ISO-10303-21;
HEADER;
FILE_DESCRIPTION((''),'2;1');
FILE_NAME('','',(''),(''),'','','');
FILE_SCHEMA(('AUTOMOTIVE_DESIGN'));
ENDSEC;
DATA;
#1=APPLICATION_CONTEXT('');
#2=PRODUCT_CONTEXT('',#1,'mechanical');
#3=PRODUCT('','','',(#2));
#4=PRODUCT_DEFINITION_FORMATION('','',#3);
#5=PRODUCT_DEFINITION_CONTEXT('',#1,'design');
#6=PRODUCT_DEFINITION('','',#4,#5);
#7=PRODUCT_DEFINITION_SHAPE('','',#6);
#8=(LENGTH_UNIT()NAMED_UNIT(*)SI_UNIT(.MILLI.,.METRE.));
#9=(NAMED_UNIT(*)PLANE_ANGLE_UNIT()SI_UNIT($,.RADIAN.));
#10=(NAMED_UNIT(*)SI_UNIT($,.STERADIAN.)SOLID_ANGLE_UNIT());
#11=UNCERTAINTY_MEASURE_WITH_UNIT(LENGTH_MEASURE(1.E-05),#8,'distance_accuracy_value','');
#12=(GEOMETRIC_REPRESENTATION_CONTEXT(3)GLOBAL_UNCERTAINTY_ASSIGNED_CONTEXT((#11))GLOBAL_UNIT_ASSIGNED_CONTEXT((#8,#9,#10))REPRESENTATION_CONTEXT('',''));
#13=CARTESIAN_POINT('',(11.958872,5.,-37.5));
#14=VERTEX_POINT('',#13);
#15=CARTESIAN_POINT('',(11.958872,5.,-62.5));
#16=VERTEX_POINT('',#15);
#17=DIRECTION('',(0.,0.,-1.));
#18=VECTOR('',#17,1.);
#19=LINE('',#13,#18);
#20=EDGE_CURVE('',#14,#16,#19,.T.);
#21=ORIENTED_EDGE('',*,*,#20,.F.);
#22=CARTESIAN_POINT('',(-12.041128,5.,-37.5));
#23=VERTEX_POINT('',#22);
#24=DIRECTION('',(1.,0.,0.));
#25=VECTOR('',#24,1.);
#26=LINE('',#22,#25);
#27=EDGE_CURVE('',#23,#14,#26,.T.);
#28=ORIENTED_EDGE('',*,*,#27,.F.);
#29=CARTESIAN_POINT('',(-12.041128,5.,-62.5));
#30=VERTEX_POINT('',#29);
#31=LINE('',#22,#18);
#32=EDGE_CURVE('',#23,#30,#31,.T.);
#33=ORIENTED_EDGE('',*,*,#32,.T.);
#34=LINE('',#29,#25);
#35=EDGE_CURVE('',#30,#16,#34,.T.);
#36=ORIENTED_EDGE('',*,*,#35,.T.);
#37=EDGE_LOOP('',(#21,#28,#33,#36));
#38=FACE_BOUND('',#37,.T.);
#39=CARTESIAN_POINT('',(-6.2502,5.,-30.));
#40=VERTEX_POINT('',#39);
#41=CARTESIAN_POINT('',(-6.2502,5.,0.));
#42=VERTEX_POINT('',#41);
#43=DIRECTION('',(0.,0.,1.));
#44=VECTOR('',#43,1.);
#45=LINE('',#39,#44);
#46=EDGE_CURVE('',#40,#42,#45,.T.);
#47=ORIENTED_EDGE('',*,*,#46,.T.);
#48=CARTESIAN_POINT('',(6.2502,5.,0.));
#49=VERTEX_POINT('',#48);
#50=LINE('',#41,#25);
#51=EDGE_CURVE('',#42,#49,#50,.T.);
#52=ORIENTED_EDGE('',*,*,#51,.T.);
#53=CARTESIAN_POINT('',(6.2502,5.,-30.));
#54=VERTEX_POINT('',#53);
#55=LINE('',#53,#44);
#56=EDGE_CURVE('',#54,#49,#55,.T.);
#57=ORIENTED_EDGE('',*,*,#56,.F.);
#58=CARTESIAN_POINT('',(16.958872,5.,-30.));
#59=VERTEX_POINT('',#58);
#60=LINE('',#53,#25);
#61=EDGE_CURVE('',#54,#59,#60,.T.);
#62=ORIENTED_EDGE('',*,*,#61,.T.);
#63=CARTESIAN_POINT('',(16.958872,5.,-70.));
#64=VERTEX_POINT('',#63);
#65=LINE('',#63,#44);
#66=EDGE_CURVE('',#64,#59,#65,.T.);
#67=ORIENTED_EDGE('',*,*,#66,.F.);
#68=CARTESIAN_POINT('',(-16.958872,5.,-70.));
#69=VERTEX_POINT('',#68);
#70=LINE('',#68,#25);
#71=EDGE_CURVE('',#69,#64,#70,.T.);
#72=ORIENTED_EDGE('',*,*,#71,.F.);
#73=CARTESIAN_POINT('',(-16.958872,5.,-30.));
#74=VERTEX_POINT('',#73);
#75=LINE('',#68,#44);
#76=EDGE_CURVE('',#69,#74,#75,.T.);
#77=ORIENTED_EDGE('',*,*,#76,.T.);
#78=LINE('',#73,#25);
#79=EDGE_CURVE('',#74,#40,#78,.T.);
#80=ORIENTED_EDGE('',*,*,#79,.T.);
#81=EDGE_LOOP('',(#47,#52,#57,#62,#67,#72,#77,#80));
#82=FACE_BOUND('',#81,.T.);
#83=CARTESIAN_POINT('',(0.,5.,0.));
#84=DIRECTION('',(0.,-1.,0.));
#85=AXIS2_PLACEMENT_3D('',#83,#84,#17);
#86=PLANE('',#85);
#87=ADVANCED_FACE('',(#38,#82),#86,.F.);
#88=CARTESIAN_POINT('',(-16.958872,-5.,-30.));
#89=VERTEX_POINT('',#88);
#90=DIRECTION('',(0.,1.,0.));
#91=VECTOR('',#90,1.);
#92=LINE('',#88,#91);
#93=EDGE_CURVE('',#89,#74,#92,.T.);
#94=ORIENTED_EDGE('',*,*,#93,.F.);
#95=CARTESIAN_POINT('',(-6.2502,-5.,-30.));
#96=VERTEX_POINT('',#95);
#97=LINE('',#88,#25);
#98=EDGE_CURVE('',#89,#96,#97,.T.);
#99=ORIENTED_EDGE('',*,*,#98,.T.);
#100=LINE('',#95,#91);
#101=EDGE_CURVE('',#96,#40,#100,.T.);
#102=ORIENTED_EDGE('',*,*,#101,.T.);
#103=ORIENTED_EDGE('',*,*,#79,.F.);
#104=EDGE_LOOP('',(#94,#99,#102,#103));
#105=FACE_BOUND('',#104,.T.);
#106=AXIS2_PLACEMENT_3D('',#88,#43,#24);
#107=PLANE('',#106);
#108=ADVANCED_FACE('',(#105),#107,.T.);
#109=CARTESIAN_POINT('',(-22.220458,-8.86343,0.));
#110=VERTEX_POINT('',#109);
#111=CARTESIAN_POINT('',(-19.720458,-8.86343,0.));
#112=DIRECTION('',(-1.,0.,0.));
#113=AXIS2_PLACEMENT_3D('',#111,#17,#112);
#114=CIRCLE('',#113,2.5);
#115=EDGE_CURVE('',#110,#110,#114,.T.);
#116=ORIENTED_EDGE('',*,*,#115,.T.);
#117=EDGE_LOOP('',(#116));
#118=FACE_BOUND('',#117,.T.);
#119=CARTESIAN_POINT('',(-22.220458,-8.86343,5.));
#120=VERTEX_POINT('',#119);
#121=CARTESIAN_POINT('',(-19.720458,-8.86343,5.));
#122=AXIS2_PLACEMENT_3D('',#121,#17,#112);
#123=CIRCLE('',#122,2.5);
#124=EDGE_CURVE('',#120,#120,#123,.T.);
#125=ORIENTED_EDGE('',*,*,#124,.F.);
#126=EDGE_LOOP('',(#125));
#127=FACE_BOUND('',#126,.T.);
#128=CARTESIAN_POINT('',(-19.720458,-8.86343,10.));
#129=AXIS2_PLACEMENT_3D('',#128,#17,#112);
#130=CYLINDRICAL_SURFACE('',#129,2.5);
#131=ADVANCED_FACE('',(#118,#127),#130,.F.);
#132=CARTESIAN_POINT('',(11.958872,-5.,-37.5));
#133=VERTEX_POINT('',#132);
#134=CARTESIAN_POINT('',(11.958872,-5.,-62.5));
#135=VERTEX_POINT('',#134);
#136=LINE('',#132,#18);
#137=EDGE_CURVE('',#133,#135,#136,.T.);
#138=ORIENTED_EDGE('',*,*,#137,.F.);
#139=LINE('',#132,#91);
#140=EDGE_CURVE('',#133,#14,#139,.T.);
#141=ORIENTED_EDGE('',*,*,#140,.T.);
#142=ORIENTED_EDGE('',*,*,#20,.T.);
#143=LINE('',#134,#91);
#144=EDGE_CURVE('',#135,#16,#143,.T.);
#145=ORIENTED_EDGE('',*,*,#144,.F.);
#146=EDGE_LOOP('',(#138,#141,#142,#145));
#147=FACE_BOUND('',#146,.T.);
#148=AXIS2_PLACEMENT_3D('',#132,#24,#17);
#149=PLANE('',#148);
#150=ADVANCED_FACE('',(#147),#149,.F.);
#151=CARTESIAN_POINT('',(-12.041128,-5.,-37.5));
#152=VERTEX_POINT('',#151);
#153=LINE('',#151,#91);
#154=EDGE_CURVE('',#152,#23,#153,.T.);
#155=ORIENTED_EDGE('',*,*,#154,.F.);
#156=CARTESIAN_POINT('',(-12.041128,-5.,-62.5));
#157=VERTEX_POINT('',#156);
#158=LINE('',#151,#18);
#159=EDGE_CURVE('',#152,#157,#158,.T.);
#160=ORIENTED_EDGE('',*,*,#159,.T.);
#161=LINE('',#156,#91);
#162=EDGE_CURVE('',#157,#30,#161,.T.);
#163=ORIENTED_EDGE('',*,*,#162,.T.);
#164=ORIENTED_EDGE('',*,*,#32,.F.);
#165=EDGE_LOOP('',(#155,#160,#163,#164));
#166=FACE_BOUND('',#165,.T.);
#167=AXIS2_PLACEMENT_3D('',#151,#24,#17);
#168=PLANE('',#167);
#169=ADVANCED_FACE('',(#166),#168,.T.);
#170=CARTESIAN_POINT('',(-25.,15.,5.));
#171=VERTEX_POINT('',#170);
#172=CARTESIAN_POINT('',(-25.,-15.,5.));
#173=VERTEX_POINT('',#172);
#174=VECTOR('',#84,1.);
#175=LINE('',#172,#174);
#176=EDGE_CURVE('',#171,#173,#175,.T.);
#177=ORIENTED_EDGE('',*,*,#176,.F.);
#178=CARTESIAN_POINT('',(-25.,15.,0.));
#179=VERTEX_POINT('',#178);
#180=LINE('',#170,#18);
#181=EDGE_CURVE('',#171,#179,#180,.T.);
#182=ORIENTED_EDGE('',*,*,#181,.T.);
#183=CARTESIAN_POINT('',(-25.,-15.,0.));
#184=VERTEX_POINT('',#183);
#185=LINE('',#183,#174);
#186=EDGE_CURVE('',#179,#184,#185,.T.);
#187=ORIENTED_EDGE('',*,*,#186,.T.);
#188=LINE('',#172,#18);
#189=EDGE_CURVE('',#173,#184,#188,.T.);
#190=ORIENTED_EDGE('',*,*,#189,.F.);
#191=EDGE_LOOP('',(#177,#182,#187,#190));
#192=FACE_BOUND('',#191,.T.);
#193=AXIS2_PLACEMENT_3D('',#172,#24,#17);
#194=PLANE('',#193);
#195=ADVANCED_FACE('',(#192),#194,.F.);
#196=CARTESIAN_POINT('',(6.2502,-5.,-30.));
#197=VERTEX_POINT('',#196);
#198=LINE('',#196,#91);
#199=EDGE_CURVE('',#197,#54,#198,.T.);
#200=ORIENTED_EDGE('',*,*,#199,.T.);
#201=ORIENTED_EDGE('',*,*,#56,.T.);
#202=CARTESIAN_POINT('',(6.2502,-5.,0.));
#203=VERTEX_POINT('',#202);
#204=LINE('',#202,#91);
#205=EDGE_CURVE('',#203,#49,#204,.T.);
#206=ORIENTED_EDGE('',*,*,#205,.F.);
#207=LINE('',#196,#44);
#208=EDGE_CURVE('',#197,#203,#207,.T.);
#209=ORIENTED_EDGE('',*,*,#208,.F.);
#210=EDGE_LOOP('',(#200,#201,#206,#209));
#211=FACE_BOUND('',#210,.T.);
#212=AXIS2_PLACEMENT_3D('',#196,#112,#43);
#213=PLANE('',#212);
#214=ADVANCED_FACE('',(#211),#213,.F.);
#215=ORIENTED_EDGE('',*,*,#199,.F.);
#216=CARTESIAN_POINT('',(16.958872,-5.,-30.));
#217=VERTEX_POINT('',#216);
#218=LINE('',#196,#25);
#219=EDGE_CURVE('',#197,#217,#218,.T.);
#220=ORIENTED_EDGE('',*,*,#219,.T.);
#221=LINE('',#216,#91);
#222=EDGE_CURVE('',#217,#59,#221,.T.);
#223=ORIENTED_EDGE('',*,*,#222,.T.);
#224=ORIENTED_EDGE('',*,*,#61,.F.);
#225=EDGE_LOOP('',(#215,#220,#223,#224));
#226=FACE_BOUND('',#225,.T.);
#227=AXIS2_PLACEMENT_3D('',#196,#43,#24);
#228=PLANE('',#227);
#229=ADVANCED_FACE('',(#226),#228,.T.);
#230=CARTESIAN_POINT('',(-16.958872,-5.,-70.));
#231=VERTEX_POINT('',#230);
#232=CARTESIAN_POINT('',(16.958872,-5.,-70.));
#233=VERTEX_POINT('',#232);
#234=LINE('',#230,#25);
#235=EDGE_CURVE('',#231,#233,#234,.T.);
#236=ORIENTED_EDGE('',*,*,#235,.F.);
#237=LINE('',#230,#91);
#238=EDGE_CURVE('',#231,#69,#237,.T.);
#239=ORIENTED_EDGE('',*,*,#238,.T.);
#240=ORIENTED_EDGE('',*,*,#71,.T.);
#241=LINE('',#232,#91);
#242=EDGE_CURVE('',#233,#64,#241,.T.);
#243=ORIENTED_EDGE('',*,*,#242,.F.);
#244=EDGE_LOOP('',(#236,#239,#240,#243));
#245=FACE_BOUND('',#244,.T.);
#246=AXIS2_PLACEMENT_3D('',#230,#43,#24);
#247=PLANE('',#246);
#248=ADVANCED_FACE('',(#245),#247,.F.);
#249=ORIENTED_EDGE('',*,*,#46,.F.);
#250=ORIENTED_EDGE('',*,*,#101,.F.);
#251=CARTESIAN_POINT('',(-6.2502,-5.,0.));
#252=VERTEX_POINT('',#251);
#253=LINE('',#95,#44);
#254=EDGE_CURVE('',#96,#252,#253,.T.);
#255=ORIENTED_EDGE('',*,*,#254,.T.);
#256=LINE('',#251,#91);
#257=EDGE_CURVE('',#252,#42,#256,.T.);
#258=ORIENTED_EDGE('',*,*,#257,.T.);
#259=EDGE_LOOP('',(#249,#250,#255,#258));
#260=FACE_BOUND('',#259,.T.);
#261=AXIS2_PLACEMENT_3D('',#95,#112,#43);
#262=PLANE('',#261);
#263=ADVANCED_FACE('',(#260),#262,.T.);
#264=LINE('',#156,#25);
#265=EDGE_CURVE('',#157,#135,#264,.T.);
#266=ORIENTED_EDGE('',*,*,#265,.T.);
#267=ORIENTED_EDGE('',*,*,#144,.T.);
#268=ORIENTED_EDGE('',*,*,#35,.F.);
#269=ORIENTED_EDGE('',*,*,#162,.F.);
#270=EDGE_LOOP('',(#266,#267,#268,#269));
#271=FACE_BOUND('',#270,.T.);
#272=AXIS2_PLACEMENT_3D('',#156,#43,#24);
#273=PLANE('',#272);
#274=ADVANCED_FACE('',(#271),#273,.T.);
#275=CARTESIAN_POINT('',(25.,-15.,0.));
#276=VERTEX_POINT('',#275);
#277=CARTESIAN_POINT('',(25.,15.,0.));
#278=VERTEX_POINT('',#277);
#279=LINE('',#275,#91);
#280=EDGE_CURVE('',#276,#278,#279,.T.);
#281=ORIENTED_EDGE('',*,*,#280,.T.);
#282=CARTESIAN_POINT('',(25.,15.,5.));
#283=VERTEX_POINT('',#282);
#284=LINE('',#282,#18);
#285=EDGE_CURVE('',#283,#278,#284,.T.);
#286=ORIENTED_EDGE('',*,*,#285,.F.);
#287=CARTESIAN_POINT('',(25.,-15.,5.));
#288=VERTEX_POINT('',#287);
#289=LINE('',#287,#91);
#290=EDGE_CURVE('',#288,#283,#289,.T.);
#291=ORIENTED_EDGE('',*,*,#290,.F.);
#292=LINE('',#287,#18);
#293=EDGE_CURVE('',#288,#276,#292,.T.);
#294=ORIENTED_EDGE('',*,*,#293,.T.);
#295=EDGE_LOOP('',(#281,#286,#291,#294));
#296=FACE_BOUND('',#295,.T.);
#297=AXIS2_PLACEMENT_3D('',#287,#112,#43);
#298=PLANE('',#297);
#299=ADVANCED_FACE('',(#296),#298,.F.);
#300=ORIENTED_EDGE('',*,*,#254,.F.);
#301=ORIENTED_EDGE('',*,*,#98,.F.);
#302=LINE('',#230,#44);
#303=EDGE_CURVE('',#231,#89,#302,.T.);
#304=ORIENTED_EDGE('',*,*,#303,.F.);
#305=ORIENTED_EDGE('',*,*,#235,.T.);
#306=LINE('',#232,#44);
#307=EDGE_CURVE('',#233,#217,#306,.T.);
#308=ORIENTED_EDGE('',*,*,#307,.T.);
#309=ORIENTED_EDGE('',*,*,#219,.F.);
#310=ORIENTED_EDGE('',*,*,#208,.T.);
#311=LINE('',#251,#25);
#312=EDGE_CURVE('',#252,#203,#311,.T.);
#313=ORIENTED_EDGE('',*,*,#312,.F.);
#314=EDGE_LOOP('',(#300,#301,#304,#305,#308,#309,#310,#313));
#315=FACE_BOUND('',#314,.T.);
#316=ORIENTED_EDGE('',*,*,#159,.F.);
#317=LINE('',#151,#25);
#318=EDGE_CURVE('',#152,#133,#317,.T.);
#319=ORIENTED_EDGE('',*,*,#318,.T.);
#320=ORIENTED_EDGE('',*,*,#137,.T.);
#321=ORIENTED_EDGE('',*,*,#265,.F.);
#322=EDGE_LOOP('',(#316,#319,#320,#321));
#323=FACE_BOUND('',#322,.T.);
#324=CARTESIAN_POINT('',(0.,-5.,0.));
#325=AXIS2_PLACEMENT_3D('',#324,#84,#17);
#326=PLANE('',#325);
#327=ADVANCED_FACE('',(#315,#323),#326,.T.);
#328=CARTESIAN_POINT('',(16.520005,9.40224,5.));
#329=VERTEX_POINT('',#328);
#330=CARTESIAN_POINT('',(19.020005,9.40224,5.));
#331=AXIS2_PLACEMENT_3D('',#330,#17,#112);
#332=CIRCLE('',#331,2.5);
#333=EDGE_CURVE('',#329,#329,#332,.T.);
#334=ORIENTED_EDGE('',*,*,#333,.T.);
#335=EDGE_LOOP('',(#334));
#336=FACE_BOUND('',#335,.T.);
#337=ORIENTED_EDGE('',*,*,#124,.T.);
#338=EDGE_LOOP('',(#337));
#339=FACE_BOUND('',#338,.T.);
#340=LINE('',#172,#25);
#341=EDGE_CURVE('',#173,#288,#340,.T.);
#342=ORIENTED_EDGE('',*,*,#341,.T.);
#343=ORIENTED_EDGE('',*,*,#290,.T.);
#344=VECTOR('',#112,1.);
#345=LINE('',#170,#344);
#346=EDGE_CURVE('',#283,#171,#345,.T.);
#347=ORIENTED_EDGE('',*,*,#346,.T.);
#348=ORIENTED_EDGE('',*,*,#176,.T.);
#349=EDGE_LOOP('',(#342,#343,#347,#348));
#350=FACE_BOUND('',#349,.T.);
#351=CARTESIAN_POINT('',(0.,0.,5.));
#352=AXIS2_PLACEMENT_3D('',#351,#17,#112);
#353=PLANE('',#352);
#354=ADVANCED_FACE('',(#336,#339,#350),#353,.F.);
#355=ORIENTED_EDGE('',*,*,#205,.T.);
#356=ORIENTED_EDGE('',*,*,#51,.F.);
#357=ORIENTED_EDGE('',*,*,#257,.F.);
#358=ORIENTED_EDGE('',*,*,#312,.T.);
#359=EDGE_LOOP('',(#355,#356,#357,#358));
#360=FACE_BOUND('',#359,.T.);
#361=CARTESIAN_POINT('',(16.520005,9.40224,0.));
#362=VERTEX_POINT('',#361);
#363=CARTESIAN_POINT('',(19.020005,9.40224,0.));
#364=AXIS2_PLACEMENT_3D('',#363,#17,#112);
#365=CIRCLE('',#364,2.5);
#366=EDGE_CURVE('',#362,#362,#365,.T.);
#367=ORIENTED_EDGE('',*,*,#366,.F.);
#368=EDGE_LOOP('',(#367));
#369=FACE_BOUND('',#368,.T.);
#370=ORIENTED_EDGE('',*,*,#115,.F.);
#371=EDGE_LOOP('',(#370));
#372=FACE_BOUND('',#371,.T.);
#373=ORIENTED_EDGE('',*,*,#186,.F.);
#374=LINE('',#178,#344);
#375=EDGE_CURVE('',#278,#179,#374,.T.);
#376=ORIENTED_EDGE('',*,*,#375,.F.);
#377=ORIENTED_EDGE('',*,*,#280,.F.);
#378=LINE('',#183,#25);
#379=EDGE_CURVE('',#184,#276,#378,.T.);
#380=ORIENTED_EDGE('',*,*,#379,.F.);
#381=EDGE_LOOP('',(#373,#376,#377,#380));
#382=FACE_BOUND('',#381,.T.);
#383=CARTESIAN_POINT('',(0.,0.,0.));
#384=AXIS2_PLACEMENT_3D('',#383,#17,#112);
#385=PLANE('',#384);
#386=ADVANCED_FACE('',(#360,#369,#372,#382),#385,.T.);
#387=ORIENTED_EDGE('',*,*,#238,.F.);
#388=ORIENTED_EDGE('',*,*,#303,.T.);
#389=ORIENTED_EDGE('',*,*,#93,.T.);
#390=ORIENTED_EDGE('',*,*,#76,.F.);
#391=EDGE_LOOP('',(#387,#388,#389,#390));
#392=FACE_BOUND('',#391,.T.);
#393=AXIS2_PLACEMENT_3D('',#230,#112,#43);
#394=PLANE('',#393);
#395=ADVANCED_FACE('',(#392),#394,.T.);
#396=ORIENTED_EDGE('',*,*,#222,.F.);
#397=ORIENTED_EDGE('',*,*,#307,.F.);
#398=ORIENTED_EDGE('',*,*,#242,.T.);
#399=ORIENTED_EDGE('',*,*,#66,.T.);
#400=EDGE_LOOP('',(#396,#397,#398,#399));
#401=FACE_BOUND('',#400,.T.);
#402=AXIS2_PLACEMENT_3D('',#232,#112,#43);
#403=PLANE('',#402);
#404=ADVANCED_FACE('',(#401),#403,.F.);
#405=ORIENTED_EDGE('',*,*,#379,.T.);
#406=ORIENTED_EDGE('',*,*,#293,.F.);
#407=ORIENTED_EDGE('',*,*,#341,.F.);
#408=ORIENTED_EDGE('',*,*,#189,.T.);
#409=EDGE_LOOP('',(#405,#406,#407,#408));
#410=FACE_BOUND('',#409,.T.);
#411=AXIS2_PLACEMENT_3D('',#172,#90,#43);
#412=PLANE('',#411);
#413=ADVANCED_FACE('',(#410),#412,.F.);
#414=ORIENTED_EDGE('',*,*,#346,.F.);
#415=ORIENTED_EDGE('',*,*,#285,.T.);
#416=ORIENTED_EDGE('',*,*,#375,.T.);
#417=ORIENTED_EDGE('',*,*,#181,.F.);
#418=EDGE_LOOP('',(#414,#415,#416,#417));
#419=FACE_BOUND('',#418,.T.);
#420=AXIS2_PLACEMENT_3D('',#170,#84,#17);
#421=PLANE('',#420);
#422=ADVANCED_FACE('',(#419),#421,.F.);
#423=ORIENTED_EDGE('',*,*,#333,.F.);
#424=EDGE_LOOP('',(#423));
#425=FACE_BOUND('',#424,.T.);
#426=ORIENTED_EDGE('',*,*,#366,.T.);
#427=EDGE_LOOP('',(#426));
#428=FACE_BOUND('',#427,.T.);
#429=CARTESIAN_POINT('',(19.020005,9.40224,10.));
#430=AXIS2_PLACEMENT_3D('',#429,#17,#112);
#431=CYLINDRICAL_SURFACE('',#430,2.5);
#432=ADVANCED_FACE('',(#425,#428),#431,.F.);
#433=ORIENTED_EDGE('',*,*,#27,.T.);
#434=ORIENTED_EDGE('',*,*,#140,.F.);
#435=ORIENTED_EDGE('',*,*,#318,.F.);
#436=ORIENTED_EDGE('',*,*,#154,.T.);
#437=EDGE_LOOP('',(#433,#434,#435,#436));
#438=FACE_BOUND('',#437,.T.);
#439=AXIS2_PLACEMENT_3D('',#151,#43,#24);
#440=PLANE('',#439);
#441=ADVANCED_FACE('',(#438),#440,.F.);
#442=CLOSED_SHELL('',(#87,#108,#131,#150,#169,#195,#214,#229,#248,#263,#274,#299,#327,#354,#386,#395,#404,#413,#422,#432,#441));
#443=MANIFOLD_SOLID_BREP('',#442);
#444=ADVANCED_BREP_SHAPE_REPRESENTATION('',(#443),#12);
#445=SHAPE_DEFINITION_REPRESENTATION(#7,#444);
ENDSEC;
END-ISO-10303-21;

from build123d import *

# Parameters (mm, degrees)
SKETCH1_W                = 50
SKETCH1_H                = 30
BOSS_EXTRUDE1_DEPTH      = 5
BOSS_EXTRUDE2_DEPTH      = 5
BOSS_EXTRUDE2_DEPTH_BACK = 5
SKETCH3_W                = 24
SKETCH3_H                = 25
CUT_EXTRUDE1_DEPTH       = 10
SKETCH4_R                = 2.5
CUT_EXTRUDE2_DEPTH       = 10
SKETCH5_R                = 2.5
CUT_EXTRUDE3_DEPTH       = 10


with BuildPart() as part:
    # Sketch1 → Boss-Extrude1 (new body)
    with BuildSketch(Plane.XY):
        Rectangle(SKETCH1_W, SKETCH1_H)
    extrude(amount=BOSS_EXTRUDE1_DEPTH)

    # Sketch2 → Boss-Extrude2 (add, two sides: drawn at the far end of the back side and taken through both)
    with BuildSketch(Plane(origin=(0, 0, 0), x_dir=(1, 0, 0), z_dir=(0, 1, 0)).offset(-BOSS_EXTRUDE2_DEPTH_BACK)):
        Polygon((-6.250199949, 30), (-6.250199949, 0), (6.250199949, 0), (6.250199949, 30), (16.958872349, 30), (16.958872349, 70), (-16.958872349, 70), (-16.958872349, 30), align=None)
    extrude(amount=BOSS_EXTRUDE2_DEPTH + BOSS_EXTRUDE2_DEPTH_BACK)

    # Sketch3 → Cut-Extrude1 (cut)
    with BuildSketch(Plane(origin=(0, 5, 0), x_dir=(1, 0, 0), z_dir=(0, 1, 0))):
        with Locations((-0.041127651, 50)):
            Rectangle(SKETCH3_W, SKETCH3_H)
    extrude(amount=-CUT_EXTRUDE1_DEPTH, mode=Mode.SUBTRACT)

    # Sketch4 → Cut-Extrude2 (cut)
    with BuildSketch(Plane(origin=(0, 0, 0), x_dir=(-1, 0, 0), z_dir=(0, 0, -1))):
        with Locations((-19.020005018, 9.402240441)):
            Circle(SKETCH4_R)
    extrude(amount=-CUT_EXTRUDE2_DEPTH, mode=Mode.SUBTRACT)

    # Sketch5 → Cut-Extrude3 (cut)
    with BuildSketch(Plane(origin=(0, 0, 0), x_dir=(-1, 0, 0), z_dir=(0, 0, -1))):
        with Locations((19.72045846, -8.8634301)):
            Circle(SKETCH5_R)
    extrude(amount=-CUT_EXTRUDE3_DEPTH, mode=Mode.SUBTRACT)


solid = part.part
